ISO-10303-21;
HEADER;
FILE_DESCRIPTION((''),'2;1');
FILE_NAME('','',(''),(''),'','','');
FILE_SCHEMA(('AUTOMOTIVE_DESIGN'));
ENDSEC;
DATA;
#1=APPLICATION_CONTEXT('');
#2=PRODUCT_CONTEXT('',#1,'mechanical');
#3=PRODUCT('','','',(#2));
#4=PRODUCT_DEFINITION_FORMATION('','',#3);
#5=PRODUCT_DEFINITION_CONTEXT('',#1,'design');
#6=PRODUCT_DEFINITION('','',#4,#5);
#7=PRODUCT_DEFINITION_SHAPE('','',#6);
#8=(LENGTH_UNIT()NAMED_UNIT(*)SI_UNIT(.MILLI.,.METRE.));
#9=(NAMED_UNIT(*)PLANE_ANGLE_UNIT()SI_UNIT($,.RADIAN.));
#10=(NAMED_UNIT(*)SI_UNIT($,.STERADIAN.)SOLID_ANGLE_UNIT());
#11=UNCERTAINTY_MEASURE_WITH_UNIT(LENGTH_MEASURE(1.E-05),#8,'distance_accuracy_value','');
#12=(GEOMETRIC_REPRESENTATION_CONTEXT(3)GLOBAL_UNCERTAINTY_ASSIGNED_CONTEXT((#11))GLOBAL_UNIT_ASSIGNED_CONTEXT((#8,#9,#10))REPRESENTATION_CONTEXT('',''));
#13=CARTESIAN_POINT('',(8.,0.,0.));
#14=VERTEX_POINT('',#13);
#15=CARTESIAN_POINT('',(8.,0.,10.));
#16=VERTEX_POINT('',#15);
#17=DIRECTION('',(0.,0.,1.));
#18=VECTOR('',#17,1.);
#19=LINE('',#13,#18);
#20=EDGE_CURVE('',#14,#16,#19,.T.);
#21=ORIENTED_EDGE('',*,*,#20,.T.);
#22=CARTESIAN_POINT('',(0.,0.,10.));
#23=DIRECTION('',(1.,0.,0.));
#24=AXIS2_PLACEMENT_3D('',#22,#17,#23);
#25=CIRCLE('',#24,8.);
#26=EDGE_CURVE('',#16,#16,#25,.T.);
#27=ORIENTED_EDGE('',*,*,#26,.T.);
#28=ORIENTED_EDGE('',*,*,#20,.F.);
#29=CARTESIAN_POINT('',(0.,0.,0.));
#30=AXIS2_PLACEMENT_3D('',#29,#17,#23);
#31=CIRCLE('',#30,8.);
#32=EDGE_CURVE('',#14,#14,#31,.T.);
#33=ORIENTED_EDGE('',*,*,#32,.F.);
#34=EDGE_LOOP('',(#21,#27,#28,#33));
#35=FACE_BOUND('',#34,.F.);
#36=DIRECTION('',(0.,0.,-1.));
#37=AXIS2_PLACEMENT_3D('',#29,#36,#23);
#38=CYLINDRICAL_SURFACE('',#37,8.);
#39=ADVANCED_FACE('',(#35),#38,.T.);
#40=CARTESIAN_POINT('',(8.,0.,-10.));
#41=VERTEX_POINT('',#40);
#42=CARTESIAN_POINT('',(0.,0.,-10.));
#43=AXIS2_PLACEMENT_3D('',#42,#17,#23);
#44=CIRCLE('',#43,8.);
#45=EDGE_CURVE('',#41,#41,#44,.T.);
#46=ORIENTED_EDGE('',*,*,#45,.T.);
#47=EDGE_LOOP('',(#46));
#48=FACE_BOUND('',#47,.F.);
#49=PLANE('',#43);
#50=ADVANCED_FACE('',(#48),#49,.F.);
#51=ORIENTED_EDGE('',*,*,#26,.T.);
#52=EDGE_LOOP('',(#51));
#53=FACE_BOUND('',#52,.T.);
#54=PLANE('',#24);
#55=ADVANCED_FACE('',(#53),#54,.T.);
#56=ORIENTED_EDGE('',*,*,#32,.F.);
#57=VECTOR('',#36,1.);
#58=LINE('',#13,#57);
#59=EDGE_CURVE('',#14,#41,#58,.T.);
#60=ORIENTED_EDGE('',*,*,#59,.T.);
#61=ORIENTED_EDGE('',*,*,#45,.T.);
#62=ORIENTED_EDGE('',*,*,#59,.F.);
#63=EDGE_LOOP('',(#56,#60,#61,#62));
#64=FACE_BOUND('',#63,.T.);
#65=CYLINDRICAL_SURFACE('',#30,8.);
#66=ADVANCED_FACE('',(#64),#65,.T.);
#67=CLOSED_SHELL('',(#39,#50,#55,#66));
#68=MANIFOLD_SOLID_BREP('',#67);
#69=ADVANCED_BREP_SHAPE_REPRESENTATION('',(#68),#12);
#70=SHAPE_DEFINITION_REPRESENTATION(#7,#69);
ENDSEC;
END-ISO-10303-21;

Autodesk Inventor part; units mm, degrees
ref_plane "YZ Plane" through (0, 0, 0) normal (1, 0, 0) x (0, 1, 0)
ref_plane "XZ Plane" through (0, 0, 0) normal (0, 1, 0) x (-1, 0, 0)
ref_plane "XY Plane" through (0, 0, 0) normal (0, 0, 1) x (1, 0, 0)
sketch "Hauptskizze" plane through (0, 0, 0) normal (0, 0, 1) x (1, 0, 0)
  circle A0 centre (0, 0) radius 8
  dimension "d0" = 16
extrude "Riemenscheibe" add sketch "Hauptskizze" along normal mid plane 20
equation "\"d0\" = da_D"
equation "\"d1\" = da_B"
equation "\"da_D\" = 16"
equation "\"da_B\" = 20"
properties part number "Flache Riemenscheibe1" material "Steel"
